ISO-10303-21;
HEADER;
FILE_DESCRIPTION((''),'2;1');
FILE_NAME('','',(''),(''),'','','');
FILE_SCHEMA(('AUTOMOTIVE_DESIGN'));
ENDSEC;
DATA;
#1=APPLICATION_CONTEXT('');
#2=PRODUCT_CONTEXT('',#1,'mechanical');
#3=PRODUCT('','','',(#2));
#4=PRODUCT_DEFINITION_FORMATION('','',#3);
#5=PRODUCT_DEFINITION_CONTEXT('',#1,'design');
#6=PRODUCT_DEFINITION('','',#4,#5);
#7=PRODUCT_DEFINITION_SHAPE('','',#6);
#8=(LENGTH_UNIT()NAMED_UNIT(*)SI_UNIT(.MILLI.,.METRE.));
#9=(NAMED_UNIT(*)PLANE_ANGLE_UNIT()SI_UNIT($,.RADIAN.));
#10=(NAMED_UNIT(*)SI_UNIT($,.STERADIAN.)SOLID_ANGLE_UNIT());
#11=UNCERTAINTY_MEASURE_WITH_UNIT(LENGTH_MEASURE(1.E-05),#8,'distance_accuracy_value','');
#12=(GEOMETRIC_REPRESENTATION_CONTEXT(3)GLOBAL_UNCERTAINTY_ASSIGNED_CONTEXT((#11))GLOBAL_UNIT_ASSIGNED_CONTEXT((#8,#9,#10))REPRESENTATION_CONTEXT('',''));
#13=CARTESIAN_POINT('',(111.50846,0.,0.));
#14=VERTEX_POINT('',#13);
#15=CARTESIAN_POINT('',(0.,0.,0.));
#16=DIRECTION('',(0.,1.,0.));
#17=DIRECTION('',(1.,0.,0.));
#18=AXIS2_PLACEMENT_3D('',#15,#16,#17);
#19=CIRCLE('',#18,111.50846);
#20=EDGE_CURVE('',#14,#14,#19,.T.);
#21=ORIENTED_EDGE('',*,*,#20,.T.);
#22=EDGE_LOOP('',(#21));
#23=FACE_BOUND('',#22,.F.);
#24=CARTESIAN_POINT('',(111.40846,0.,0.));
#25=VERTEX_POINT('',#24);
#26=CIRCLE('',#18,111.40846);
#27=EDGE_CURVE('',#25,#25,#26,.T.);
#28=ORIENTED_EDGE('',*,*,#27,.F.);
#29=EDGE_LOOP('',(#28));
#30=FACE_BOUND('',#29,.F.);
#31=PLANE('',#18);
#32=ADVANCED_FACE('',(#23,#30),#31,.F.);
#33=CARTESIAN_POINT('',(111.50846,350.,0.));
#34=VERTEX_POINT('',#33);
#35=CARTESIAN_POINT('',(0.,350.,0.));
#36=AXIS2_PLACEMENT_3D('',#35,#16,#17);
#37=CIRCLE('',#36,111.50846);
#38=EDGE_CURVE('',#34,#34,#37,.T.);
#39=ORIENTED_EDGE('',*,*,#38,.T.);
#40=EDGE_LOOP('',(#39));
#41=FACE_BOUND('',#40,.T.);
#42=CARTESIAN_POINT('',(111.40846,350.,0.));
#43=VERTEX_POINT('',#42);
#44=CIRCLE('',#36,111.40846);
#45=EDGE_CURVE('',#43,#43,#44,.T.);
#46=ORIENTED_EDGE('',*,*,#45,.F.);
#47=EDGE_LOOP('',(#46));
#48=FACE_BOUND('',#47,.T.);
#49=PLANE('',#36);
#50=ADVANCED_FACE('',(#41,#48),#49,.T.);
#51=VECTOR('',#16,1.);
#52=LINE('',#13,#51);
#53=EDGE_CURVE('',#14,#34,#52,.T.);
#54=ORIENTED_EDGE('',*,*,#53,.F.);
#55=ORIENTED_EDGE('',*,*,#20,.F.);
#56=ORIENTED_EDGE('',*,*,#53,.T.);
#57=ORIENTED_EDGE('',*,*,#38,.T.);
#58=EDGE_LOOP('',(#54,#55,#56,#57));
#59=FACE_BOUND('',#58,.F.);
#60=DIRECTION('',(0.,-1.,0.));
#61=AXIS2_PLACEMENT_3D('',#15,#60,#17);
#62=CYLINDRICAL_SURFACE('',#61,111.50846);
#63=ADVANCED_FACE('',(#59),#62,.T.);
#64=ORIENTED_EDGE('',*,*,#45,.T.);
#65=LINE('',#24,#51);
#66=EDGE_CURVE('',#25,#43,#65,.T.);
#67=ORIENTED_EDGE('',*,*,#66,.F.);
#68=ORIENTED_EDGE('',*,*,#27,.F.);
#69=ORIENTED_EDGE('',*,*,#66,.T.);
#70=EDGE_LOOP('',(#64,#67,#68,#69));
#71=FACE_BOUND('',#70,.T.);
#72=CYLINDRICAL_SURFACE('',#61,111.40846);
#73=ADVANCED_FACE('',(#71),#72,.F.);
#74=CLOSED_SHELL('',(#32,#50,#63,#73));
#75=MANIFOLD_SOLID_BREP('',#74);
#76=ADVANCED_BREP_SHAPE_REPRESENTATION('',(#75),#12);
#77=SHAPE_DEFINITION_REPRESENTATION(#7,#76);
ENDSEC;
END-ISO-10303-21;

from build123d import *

# Parameters (mm, degrees)
ESQUISSE1_R        = 111.508460165
ESQUISSE1_R_2      = 111.408460165
EXTRU_MINCE1_DEPTH = 350


with BuildPart() as part:
    # Esquisse1 → Extru.-Mince1 (new body)
    with BuildSketch(Plane(origin=(0, 0, 0), x_dir=(1, 0, 0), z_dir=(0, 1, 0))):
        Circle(ESQUISSE1_R)
        Circle(ESQUISSE1_R_2, mode=Mode.SUBTRACT)
    extrude(amount=EXTRU_MINCE1_DEPTH)


solid = part.part
